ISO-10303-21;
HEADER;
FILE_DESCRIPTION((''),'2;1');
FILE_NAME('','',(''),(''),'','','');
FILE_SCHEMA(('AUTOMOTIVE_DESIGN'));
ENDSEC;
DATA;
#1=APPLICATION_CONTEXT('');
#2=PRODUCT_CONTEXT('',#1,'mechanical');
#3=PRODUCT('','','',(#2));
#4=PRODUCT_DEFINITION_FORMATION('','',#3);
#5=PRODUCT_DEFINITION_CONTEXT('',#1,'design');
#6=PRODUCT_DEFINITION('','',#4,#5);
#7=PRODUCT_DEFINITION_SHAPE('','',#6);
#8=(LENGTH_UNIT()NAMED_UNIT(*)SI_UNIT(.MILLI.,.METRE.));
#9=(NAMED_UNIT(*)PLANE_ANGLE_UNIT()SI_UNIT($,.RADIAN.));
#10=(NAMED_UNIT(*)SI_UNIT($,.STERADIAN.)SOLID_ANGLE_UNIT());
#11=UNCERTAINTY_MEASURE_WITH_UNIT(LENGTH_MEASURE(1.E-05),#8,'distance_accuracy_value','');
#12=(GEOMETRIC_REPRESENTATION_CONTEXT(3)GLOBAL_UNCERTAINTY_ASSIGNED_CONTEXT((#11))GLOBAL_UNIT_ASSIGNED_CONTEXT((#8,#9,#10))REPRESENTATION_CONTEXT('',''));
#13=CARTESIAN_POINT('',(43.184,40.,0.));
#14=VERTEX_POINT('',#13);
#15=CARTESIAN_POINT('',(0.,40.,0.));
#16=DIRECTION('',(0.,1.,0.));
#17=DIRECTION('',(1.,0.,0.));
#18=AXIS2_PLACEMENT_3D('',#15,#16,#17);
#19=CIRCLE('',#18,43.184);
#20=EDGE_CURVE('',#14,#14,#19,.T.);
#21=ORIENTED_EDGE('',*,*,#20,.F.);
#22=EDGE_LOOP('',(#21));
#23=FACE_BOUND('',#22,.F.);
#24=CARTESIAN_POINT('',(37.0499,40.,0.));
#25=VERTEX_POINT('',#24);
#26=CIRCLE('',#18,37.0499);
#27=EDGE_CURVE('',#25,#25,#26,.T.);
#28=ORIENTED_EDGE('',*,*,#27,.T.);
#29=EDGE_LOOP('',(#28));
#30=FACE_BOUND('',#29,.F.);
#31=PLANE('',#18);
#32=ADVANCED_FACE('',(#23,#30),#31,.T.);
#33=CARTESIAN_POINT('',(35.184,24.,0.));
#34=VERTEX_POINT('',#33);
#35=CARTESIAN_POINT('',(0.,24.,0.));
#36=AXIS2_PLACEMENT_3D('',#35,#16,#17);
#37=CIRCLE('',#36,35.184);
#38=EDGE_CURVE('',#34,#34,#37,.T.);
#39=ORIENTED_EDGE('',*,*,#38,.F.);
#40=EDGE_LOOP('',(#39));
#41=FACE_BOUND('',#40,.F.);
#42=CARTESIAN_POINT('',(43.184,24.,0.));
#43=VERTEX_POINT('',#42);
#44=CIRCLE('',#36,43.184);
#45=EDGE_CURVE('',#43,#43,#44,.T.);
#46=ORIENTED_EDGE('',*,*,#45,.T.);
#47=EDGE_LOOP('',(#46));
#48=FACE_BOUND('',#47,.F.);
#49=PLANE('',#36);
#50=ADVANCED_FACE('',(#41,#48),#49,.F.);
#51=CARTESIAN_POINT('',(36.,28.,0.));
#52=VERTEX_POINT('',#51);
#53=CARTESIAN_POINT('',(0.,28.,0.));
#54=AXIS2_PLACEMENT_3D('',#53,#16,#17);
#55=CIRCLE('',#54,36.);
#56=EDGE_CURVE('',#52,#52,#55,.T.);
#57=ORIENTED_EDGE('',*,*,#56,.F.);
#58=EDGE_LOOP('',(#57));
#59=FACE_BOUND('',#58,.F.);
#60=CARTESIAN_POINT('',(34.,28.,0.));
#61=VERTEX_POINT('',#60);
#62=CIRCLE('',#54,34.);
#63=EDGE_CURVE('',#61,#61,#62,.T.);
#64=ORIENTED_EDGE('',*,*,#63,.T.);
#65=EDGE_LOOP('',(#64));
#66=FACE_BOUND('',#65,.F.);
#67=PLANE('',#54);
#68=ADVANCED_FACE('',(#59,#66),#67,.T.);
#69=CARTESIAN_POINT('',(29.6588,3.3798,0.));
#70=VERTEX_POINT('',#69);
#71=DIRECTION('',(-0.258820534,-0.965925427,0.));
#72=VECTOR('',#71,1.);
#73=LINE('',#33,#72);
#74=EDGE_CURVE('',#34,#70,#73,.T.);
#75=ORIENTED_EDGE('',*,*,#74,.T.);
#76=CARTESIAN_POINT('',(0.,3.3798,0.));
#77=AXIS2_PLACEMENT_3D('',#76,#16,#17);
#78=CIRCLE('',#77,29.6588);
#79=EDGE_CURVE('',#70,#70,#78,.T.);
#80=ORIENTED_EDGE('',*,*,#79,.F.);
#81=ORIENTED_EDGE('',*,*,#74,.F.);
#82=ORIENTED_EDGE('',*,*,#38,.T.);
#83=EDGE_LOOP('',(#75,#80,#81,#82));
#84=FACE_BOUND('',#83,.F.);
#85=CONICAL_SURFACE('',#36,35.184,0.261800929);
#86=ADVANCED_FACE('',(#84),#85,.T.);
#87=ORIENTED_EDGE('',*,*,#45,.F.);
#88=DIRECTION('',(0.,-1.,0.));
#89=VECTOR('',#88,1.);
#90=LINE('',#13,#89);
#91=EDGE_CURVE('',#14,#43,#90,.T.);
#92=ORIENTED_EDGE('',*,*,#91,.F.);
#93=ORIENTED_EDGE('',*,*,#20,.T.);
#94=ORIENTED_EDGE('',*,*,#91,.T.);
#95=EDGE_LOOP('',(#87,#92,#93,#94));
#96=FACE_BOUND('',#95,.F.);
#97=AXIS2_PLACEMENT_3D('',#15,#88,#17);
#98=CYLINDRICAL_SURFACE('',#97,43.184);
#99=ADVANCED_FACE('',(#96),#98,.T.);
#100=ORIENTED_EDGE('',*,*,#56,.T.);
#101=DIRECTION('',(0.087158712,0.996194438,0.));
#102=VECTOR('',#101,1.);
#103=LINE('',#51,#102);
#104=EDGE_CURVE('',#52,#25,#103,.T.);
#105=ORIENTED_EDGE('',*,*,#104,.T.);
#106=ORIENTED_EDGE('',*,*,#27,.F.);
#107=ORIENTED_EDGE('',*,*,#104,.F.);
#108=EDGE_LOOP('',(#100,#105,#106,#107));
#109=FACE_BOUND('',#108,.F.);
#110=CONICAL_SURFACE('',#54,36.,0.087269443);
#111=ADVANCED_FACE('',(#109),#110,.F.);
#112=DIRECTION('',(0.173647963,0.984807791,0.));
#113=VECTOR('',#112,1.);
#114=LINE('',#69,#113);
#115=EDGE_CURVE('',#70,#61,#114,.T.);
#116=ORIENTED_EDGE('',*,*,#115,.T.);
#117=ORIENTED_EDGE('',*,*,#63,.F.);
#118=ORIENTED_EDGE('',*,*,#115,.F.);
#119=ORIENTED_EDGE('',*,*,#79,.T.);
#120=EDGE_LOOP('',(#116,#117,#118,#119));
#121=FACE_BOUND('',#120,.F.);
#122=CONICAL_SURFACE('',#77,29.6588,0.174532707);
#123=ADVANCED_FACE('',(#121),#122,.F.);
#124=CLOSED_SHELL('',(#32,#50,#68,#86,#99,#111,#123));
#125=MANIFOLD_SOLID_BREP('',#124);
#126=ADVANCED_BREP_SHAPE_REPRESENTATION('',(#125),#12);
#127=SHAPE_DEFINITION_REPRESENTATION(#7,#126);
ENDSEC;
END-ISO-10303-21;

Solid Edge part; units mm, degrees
sketch "Sketch1" plane through (0, 0, 0) normal (0, 0, 1) x (1, 0, 0)
  line L0 (43.184, 24) -> (35.184, 24)
  line L1 (35.184, 24) -> (29.6588, 3.3798)
  line L2 (29.6588, 3.3798) -> (34, 28)
  line L3 (34, 28) -> (36, 28)
  line L4 (36, 28) -> (37.0499, 40)
  line L5 (37.0499, 40) -> (43.184, 40)
  line L6 (43.184, 40) -> (43.184, 24)
revolve "RevolvedProtrusion1" add sketch "Sketch1" angle 360 about axis through (0, 0, 0) along (0, 1, 0)
properties material "Policarbonato"
